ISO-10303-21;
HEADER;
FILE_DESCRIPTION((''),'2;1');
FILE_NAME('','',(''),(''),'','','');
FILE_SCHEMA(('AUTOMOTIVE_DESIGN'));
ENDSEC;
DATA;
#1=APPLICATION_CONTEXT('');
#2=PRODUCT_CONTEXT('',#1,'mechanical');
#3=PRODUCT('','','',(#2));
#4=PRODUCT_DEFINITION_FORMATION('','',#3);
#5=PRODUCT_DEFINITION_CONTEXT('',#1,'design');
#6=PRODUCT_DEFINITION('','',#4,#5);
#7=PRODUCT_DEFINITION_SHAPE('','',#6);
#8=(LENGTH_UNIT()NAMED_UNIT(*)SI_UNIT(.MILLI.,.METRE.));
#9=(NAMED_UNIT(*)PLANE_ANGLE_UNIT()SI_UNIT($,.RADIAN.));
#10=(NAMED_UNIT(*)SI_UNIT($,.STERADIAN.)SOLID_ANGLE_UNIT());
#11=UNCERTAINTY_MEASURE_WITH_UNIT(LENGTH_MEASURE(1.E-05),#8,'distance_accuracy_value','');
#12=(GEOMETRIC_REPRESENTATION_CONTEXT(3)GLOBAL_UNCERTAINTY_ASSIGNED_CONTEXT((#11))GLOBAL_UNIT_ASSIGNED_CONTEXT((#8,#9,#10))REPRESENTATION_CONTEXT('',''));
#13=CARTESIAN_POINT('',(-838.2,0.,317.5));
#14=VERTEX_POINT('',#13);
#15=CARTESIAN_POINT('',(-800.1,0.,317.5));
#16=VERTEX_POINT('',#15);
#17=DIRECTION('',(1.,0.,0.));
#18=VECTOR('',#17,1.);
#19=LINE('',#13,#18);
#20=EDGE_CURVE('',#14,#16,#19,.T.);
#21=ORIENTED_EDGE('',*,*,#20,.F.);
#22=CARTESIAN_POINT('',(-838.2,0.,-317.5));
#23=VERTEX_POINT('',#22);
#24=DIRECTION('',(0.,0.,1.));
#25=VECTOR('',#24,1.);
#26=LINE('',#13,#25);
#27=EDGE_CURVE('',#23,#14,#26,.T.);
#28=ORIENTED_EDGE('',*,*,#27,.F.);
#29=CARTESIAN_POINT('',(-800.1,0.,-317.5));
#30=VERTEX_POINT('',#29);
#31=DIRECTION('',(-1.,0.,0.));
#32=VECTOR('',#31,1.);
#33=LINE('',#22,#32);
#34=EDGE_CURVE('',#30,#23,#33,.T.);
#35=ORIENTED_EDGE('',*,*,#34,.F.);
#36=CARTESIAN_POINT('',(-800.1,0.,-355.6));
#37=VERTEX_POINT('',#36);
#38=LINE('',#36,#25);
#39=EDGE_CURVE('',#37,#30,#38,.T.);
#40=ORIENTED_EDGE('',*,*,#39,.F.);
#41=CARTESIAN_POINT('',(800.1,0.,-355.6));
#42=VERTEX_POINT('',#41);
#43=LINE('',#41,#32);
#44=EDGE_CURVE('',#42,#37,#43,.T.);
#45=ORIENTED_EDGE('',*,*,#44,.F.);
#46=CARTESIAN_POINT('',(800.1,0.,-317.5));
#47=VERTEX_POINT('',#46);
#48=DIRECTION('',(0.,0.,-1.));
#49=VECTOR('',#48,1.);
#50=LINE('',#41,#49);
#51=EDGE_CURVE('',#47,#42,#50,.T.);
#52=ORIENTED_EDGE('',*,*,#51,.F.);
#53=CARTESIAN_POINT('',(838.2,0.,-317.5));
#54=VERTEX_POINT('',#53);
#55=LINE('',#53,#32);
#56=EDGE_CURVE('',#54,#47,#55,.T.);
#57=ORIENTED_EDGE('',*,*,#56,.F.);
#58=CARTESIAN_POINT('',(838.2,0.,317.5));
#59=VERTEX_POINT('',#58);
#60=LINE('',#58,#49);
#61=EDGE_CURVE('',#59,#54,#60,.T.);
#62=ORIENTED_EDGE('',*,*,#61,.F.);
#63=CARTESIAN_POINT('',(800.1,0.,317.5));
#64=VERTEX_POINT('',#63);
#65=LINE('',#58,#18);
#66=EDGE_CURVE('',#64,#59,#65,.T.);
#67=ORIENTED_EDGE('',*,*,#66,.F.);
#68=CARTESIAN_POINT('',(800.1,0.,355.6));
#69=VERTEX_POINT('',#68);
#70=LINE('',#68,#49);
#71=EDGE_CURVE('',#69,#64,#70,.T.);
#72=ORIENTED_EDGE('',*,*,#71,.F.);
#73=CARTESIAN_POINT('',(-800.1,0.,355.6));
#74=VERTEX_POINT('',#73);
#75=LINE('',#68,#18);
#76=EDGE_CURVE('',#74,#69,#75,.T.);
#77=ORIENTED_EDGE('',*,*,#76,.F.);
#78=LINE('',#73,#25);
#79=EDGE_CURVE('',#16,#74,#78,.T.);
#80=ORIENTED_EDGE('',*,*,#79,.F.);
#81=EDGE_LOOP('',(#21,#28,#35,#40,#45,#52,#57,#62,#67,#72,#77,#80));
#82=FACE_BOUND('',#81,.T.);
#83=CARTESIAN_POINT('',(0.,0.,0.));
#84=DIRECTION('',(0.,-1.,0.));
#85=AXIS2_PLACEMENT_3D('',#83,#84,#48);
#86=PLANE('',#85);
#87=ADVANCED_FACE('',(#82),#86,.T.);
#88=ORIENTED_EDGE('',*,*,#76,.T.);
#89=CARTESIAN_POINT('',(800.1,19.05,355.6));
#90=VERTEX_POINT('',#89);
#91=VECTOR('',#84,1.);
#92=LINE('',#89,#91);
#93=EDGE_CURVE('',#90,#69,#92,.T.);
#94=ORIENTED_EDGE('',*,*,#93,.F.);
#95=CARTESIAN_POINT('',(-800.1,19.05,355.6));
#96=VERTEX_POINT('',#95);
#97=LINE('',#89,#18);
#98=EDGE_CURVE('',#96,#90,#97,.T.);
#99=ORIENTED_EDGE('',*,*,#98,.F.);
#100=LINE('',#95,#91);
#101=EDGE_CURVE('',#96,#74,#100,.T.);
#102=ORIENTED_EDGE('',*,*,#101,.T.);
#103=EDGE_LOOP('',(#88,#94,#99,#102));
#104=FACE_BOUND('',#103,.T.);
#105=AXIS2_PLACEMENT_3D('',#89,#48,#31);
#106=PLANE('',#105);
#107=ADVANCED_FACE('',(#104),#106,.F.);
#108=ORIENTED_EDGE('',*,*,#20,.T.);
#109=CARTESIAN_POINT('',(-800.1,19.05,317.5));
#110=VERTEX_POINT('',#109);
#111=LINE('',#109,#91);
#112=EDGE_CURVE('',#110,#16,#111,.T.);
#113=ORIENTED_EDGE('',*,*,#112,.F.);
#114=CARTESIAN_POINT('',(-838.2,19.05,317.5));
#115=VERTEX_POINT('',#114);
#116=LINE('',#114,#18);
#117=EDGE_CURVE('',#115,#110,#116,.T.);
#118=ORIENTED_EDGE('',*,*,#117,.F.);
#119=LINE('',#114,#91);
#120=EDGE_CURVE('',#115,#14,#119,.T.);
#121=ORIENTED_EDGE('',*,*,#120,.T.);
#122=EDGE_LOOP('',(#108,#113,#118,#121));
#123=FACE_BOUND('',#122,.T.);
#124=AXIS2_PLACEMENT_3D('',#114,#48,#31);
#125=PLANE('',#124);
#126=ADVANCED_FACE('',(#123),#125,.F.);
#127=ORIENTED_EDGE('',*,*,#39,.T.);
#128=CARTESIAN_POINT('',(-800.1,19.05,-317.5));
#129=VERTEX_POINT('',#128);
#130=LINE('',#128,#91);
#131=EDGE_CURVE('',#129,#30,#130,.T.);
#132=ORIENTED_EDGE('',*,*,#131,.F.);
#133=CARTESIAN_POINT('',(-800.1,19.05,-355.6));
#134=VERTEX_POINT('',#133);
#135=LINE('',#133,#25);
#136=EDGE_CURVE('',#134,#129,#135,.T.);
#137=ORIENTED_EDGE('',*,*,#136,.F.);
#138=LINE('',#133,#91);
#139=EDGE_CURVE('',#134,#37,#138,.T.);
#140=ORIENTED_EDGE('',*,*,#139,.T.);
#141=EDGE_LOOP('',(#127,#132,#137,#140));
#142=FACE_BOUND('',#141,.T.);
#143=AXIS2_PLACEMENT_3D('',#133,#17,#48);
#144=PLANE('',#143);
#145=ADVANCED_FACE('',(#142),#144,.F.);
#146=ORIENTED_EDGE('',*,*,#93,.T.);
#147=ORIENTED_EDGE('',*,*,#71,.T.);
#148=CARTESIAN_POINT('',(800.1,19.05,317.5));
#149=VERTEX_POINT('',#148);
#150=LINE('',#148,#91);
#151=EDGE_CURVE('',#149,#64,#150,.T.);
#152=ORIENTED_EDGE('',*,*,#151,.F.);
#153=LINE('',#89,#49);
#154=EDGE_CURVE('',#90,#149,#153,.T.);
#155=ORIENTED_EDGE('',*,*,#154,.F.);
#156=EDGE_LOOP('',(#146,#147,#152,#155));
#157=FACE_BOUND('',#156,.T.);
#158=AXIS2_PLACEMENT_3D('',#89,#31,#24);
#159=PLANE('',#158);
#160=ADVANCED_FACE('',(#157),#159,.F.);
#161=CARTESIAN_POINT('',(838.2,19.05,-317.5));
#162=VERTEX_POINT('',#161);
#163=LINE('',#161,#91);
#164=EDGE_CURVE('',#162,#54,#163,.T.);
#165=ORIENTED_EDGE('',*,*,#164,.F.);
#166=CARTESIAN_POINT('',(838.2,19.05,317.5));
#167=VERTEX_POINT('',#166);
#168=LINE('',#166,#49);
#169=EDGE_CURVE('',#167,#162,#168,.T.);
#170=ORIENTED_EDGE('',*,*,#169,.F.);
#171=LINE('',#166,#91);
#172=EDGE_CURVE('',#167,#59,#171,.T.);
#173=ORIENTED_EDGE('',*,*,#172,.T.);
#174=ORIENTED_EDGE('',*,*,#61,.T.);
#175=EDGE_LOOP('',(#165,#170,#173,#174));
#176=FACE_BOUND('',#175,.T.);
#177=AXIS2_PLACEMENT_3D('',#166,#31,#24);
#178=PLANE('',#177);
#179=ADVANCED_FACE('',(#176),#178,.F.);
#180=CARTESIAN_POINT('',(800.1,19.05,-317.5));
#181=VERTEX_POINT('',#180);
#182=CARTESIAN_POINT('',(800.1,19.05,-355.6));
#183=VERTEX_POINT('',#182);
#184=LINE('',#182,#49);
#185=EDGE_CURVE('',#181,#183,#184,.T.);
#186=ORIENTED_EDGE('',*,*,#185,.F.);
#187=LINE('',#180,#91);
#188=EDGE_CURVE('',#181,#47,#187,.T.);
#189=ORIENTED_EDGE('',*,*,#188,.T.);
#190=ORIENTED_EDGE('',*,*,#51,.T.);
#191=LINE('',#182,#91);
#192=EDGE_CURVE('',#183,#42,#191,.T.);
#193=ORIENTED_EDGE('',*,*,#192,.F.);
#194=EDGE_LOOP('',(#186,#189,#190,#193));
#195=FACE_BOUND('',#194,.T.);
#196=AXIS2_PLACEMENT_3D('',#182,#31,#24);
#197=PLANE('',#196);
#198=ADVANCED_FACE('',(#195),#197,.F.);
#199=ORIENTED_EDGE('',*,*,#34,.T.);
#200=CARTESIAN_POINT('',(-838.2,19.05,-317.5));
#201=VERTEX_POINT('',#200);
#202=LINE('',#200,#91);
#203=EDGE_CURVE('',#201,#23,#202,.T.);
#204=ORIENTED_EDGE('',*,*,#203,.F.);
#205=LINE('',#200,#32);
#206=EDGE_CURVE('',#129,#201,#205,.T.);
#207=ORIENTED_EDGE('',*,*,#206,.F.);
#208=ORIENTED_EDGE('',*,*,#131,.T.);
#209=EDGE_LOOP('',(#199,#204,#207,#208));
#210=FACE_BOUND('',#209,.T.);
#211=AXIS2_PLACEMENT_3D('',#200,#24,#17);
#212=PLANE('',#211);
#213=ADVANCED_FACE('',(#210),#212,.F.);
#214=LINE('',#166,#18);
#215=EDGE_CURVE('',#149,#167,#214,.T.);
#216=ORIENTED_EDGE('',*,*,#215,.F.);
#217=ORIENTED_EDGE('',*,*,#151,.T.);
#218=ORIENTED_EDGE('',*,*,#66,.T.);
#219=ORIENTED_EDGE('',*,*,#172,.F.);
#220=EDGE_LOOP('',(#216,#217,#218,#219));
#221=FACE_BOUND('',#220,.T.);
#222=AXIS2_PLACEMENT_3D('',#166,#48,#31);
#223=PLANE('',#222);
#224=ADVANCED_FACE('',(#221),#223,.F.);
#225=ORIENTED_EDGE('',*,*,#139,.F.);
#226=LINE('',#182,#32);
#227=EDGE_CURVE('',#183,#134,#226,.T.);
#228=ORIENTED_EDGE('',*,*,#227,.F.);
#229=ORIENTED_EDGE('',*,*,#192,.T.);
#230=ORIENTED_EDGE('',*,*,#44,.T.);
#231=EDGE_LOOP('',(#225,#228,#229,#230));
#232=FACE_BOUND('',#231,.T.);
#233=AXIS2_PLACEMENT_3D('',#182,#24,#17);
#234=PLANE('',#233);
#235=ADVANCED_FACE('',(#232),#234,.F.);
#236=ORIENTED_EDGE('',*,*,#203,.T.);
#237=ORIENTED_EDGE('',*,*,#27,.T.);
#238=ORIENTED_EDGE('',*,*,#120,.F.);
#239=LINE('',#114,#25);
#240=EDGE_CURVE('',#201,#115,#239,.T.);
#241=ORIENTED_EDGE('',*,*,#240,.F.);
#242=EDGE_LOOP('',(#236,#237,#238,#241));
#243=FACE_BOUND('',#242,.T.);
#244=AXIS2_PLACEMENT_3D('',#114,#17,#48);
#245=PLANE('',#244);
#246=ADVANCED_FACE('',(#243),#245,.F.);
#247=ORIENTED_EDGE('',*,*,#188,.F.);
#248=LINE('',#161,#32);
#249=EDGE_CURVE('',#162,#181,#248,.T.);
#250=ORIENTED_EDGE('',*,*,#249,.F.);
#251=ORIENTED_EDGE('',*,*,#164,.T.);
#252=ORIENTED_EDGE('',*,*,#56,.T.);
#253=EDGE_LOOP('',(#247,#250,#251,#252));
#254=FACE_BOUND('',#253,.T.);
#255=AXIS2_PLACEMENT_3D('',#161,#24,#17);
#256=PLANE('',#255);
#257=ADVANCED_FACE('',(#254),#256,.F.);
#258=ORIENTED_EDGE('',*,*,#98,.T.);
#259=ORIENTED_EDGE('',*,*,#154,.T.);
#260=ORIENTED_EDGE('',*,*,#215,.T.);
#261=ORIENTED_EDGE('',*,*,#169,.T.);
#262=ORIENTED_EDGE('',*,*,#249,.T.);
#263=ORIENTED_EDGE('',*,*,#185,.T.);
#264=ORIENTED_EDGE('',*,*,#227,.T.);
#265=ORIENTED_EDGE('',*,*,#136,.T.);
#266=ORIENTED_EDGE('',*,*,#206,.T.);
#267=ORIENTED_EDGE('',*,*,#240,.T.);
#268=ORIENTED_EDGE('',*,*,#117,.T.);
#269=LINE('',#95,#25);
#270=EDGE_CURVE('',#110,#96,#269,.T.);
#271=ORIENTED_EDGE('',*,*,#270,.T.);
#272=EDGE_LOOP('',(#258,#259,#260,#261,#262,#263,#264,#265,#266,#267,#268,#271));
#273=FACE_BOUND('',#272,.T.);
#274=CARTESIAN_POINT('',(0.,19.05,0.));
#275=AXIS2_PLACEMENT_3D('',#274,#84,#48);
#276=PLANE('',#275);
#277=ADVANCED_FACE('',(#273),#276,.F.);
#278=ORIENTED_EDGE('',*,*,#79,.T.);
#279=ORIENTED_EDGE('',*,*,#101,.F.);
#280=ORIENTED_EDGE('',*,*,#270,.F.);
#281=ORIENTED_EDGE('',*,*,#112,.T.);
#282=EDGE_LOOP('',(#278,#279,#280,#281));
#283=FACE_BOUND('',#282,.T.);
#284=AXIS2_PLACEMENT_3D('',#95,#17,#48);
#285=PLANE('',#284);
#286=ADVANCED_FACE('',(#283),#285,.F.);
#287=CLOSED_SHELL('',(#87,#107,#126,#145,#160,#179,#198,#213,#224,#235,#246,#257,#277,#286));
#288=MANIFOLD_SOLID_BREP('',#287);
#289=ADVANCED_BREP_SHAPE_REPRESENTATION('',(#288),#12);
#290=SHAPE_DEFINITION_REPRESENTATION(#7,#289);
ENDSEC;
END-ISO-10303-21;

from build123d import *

# Parameters (mm, degrees)
BOSS_EXTRUDE1_DEPTH = 19.05


with BuildPart() as part:
    # Sketch1 → Boss-Extrude1 (new body)
    with BuildSketch(Plane(origin=(0, 0, 0), x_dir=(1, 0, 0), z_dir=(0, 1, 0))):
        Polygon((800.1, -355.6), (-800.1, -355.6), (-800.1, -317.5), (-838.2, -317.5), (-838.2, 317.5), (-800.1, 317.5), (-800.1, 355.6), (800.1, 355.6), (800.1, 317.5), (838.2, 317.5), (838.2, -317.5), (800.1, -317.5), align=None)
    extrude(amount=BOSS_EXTRUDE1_DEPTH)


solid = part.part
